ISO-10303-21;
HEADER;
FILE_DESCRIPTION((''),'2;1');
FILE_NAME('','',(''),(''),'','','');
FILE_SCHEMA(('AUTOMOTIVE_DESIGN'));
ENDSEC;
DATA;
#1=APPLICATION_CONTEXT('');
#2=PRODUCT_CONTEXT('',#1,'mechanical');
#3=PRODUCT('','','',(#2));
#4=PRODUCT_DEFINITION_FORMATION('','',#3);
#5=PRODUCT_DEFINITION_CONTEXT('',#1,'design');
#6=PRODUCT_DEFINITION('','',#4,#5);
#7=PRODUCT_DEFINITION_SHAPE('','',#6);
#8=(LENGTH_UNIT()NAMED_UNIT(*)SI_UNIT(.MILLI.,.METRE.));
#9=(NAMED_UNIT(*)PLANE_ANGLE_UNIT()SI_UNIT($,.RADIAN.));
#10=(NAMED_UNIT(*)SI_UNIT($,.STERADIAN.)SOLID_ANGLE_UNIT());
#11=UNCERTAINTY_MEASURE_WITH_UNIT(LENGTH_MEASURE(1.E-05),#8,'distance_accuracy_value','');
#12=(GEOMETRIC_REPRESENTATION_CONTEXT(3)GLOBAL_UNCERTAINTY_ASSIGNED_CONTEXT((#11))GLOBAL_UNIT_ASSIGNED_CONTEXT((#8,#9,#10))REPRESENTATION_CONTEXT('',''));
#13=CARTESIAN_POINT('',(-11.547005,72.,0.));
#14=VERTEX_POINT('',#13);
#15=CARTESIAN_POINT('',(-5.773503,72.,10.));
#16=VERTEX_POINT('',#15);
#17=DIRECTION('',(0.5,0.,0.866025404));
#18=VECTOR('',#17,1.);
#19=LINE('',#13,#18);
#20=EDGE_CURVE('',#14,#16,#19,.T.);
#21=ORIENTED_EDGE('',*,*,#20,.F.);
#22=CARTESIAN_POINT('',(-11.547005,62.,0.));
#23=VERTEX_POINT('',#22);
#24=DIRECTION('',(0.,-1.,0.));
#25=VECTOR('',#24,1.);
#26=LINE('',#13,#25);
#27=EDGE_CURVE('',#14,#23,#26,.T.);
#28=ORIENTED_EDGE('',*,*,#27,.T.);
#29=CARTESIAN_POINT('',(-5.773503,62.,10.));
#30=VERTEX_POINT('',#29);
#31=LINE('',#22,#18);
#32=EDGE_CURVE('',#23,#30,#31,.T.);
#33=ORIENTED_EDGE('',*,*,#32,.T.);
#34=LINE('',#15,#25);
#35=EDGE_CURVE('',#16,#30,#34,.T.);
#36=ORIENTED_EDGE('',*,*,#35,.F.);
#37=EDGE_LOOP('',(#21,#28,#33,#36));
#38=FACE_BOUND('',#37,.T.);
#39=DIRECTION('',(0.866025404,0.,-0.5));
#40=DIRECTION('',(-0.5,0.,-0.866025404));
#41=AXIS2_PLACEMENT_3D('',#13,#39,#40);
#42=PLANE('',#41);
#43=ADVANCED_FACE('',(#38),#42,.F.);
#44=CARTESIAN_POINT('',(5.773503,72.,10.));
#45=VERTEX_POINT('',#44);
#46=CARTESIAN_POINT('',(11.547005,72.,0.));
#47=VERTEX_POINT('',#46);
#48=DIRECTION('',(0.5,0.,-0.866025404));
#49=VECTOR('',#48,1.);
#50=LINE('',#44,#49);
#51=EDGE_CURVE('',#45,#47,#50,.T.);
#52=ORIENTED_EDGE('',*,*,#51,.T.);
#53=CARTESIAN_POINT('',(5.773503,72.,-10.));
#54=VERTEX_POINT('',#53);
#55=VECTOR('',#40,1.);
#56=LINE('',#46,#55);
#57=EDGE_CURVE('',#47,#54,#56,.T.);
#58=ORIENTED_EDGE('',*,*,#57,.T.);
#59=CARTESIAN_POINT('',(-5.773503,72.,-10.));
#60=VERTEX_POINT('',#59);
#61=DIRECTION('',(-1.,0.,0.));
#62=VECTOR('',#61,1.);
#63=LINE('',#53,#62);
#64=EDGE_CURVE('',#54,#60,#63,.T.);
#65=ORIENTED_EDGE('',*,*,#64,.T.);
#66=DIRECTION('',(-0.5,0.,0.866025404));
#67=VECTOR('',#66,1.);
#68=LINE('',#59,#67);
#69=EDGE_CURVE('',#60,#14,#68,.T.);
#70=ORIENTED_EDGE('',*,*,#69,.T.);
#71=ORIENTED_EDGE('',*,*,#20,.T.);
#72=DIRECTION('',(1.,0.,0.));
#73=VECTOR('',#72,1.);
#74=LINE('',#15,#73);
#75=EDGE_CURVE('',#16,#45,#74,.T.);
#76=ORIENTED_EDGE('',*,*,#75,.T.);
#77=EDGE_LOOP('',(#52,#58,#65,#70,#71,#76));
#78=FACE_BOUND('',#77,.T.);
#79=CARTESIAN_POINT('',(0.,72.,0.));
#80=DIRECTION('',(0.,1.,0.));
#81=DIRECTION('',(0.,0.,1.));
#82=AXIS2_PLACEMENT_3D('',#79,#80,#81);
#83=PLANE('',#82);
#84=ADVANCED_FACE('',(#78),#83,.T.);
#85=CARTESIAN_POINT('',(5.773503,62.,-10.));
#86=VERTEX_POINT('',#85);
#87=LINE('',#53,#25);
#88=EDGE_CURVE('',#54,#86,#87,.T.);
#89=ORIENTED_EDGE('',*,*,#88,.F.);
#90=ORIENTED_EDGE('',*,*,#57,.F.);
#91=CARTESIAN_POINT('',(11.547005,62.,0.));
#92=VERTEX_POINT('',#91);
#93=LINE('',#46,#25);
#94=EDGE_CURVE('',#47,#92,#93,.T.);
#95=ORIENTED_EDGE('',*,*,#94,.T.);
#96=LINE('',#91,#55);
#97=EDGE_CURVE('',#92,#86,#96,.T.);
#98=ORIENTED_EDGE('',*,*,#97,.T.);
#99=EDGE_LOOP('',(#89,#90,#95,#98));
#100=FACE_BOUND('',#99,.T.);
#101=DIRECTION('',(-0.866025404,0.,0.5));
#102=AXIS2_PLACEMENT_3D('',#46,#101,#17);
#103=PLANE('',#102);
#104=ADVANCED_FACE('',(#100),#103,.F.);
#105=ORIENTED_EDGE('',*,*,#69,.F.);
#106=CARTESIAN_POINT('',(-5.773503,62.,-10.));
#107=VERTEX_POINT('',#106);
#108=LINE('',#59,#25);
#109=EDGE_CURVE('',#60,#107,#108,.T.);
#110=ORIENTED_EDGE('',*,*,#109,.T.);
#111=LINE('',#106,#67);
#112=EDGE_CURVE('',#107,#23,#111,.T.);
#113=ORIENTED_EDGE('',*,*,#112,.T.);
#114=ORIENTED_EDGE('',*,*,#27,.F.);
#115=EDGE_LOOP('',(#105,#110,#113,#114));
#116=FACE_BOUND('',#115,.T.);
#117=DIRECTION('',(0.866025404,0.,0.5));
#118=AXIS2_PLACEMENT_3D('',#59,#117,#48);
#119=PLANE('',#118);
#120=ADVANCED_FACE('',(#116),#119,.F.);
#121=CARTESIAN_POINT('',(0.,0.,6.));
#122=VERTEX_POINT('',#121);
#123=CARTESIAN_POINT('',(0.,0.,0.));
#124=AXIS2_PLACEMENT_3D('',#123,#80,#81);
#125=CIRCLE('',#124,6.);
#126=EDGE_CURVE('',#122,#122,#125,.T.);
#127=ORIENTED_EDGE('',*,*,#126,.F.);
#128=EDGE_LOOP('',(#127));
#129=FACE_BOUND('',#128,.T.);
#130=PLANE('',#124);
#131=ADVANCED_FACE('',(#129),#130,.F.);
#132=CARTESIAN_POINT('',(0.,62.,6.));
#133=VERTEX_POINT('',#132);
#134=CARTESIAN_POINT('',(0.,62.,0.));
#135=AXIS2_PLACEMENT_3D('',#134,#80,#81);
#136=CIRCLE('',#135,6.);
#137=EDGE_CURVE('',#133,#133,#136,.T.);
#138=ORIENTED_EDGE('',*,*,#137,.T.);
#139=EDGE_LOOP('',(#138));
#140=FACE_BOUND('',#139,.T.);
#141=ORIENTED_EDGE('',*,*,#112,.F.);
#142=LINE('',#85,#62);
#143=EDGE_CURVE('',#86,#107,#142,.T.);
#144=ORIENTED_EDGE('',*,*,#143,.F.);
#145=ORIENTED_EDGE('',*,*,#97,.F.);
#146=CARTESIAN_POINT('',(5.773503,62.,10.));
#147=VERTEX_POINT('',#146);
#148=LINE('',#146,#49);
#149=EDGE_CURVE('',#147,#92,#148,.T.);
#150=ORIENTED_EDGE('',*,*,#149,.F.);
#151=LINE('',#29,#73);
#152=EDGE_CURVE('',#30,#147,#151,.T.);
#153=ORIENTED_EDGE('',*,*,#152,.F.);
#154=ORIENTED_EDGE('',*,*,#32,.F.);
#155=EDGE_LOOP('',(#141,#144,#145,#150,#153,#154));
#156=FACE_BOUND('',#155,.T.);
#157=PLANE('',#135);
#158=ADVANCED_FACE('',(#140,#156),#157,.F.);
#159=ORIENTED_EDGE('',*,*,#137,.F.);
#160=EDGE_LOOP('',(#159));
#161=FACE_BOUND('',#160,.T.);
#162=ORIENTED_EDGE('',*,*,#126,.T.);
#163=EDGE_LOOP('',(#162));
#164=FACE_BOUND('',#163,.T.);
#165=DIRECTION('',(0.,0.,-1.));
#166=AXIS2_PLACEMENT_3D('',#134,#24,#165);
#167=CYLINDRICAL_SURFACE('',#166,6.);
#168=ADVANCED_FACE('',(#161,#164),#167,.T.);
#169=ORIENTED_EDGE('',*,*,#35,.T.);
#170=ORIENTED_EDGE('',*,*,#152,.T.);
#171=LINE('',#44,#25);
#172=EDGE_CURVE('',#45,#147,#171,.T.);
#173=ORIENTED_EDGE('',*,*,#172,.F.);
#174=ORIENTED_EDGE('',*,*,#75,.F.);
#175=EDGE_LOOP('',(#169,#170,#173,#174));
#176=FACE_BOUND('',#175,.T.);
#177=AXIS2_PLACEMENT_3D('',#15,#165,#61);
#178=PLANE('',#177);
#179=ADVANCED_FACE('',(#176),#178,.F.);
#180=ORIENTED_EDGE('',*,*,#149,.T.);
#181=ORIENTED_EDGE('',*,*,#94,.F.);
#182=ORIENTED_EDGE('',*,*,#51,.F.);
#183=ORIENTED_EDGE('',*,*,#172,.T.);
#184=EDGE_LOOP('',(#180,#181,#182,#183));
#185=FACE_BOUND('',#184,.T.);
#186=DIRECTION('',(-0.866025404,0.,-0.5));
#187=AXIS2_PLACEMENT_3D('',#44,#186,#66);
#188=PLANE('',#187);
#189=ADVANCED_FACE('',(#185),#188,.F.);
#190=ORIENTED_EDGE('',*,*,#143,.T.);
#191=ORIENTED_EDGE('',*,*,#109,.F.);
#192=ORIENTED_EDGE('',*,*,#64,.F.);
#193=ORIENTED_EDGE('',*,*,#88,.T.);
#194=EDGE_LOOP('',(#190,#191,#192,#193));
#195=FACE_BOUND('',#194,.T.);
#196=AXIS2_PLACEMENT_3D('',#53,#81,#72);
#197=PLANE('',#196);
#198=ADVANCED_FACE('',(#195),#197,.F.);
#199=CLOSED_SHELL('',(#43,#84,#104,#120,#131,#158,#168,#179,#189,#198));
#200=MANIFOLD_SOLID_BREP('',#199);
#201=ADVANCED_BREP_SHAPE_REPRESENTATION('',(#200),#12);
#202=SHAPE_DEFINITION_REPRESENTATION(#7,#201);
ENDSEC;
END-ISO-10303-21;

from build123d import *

# Parameters (mm, degrees)
SKETCH1_R           = 6
BOSS_EXTRUDE1_DEPTH = 62
BOSS_EXTRUDE2_DEPTH = 10


with BuildPart() as part:
    # Sketch1 → Boss-Extrude1 (new body)
    with BuildSketch(Plane(origin=(0, 0, 0), x_dir=(1, 0, 0), z_dir=(0, 1, 0))):
        with Locations(Location((0, 0, 0), (0, 0, 270))):
            Circle(SKETCH1_R)
    extrude(amount=BOSS_EXTRUDE1_DEPTH)

    # Sketch2 → Boss-Extrude2 (add)
    with BuildSketch(Plane(origin=(0, 62, 0), x_dir=(1, 0, 0), z_dir=(0, 1, 0))):
        Polygon((11.547005384, 0), (5.773502692, 10), (-5.773502692, 10), (-11.547005384, 0), (-5.773502692, -10), (5.773502692, -10), align=None)
    extrude(amount=BOSS_EXTRUDE2_DEPTH)


solid = part.part
